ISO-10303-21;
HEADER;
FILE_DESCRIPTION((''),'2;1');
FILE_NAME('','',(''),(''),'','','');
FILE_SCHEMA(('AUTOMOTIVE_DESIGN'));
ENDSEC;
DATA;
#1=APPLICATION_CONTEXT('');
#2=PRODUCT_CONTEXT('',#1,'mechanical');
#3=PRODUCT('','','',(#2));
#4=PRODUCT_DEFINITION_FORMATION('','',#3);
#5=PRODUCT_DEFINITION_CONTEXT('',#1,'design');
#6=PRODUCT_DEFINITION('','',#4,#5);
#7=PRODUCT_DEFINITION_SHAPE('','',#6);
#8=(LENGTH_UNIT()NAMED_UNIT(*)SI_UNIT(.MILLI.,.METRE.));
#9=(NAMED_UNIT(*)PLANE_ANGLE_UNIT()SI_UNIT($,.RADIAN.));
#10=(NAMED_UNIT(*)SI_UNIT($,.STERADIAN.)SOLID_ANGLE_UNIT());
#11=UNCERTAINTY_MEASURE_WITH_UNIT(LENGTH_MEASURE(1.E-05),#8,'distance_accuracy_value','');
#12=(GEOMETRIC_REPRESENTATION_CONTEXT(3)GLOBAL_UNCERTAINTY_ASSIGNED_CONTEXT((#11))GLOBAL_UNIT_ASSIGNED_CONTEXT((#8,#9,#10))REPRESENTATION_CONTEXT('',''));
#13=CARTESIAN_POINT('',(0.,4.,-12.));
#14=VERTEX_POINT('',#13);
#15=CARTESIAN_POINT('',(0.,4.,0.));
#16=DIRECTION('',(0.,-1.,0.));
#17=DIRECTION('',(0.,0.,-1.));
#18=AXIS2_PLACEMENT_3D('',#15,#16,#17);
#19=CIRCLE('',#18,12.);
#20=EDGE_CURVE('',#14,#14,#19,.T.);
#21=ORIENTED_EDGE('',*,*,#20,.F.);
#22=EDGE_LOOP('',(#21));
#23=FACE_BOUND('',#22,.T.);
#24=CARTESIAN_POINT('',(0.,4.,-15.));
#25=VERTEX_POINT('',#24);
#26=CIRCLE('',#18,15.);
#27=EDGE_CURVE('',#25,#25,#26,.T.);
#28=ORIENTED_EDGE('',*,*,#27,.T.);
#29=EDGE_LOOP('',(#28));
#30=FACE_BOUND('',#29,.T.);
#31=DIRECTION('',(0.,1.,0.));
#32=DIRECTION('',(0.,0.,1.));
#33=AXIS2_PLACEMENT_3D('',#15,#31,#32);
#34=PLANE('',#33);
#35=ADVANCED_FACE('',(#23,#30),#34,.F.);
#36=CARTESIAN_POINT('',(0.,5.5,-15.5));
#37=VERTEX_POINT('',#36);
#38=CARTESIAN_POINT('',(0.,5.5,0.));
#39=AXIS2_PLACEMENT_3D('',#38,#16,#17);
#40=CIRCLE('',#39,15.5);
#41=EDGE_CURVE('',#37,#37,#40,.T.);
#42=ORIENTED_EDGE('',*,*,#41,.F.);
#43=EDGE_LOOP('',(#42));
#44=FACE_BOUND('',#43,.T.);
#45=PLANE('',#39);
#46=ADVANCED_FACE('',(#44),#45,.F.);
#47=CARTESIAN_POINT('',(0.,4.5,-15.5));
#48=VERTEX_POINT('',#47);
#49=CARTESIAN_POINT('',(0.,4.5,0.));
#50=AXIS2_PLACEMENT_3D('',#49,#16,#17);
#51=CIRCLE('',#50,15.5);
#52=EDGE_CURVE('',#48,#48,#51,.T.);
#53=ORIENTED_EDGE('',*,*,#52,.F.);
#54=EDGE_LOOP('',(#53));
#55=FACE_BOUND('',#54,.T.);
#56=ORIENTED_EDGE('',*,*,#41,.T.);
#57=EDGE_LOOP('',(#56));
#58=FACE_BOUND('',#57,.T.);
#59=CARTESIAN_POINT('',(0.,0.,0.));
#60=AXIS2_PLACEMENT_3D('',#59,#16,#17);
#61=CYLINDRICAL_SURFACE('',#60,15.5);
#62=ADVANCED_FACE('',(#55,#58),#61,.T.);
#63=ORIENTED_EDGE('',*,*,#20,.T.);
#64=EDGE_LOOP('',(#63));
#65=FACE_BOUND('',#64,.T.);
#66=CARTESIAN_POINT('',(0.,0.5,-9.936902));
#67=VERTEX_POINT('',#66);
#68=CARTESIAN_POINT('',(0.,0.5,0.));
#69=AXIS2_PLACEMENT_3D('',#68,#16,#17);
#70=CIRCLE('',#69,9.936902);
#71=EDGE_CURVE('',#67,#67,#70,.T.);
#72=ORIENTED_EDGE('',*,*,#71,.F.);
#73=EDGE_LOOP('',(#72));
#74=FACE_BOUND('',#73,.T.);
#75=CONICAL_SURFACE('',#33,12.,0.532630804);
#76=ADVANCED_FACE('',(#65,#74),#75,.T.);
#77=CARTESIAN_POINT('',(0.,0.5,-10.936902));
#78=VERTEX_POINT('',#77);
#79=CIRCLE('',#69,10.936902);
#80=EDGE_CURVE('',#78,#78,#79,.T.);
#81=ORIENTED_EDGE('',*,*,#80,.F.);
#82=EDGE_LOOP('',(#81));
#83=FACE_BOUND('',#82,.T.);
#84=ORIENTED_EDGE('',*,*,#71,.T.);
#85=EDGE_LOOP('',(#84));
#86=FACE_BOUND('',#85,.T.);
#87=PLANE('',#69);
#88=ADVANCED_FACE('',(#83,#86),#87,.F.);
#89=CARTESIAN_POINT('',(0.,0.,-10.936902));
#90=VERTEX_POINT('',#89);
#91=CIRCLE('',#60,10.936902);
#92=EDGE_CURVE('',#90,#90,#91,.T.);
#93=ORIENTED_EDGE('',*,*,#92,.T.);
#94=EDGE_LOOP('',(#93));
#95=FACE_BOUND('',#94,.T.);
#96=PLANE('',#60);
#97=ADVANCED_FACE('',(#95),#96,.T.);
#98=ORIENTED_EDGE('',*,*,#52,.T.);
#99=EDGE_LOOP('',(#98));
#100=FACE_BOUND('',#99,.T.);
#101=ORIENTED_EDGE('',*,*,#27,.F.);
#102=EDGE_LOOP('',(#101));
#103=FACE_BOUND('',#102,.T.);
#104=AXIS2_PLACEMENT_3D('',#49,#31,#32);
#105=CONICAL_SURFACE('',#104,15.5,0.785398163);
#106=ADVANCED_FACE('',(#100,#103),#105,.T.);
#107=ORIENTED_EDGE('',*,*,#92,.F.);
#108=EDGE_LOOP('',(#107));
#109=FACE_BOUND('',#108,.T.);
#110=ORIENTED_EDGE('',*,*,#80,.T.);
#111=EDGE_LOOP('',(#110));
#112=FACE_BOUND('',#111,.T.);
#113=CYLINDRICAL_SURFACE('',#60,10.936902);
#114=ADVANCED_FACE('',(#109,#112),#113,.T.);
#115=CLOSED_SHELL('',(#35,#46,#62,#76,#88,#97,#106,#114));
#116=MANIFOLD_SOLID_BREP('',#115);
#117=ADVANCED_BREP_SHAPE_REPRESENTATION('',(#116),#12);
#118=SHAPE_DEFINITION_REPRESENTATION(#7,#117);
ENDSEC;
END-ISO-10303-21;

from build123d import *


with BuildPart() as part:
    # Sketch1 → Revolve1 (revolve)
    with BuildSketch(Plane.XY, mode=Mode.PRIVATE) as revolve1_sk:
        Polygon((15.5, 4.5), (15.5, 5.5), (0, 5.5), (0, 0), (10.936902486, 0), (10.936902486, 0.5), (9.936902486, 0.5), (12, 4), (15, 4), align=None)
    revolve(revolve1_sk.sketch.rotate(Axis((0, 0, 0), (0, 1, 0)), 90), axis=Axis((0, 0, 0), (0, 1, 0)))


solid = part.part
